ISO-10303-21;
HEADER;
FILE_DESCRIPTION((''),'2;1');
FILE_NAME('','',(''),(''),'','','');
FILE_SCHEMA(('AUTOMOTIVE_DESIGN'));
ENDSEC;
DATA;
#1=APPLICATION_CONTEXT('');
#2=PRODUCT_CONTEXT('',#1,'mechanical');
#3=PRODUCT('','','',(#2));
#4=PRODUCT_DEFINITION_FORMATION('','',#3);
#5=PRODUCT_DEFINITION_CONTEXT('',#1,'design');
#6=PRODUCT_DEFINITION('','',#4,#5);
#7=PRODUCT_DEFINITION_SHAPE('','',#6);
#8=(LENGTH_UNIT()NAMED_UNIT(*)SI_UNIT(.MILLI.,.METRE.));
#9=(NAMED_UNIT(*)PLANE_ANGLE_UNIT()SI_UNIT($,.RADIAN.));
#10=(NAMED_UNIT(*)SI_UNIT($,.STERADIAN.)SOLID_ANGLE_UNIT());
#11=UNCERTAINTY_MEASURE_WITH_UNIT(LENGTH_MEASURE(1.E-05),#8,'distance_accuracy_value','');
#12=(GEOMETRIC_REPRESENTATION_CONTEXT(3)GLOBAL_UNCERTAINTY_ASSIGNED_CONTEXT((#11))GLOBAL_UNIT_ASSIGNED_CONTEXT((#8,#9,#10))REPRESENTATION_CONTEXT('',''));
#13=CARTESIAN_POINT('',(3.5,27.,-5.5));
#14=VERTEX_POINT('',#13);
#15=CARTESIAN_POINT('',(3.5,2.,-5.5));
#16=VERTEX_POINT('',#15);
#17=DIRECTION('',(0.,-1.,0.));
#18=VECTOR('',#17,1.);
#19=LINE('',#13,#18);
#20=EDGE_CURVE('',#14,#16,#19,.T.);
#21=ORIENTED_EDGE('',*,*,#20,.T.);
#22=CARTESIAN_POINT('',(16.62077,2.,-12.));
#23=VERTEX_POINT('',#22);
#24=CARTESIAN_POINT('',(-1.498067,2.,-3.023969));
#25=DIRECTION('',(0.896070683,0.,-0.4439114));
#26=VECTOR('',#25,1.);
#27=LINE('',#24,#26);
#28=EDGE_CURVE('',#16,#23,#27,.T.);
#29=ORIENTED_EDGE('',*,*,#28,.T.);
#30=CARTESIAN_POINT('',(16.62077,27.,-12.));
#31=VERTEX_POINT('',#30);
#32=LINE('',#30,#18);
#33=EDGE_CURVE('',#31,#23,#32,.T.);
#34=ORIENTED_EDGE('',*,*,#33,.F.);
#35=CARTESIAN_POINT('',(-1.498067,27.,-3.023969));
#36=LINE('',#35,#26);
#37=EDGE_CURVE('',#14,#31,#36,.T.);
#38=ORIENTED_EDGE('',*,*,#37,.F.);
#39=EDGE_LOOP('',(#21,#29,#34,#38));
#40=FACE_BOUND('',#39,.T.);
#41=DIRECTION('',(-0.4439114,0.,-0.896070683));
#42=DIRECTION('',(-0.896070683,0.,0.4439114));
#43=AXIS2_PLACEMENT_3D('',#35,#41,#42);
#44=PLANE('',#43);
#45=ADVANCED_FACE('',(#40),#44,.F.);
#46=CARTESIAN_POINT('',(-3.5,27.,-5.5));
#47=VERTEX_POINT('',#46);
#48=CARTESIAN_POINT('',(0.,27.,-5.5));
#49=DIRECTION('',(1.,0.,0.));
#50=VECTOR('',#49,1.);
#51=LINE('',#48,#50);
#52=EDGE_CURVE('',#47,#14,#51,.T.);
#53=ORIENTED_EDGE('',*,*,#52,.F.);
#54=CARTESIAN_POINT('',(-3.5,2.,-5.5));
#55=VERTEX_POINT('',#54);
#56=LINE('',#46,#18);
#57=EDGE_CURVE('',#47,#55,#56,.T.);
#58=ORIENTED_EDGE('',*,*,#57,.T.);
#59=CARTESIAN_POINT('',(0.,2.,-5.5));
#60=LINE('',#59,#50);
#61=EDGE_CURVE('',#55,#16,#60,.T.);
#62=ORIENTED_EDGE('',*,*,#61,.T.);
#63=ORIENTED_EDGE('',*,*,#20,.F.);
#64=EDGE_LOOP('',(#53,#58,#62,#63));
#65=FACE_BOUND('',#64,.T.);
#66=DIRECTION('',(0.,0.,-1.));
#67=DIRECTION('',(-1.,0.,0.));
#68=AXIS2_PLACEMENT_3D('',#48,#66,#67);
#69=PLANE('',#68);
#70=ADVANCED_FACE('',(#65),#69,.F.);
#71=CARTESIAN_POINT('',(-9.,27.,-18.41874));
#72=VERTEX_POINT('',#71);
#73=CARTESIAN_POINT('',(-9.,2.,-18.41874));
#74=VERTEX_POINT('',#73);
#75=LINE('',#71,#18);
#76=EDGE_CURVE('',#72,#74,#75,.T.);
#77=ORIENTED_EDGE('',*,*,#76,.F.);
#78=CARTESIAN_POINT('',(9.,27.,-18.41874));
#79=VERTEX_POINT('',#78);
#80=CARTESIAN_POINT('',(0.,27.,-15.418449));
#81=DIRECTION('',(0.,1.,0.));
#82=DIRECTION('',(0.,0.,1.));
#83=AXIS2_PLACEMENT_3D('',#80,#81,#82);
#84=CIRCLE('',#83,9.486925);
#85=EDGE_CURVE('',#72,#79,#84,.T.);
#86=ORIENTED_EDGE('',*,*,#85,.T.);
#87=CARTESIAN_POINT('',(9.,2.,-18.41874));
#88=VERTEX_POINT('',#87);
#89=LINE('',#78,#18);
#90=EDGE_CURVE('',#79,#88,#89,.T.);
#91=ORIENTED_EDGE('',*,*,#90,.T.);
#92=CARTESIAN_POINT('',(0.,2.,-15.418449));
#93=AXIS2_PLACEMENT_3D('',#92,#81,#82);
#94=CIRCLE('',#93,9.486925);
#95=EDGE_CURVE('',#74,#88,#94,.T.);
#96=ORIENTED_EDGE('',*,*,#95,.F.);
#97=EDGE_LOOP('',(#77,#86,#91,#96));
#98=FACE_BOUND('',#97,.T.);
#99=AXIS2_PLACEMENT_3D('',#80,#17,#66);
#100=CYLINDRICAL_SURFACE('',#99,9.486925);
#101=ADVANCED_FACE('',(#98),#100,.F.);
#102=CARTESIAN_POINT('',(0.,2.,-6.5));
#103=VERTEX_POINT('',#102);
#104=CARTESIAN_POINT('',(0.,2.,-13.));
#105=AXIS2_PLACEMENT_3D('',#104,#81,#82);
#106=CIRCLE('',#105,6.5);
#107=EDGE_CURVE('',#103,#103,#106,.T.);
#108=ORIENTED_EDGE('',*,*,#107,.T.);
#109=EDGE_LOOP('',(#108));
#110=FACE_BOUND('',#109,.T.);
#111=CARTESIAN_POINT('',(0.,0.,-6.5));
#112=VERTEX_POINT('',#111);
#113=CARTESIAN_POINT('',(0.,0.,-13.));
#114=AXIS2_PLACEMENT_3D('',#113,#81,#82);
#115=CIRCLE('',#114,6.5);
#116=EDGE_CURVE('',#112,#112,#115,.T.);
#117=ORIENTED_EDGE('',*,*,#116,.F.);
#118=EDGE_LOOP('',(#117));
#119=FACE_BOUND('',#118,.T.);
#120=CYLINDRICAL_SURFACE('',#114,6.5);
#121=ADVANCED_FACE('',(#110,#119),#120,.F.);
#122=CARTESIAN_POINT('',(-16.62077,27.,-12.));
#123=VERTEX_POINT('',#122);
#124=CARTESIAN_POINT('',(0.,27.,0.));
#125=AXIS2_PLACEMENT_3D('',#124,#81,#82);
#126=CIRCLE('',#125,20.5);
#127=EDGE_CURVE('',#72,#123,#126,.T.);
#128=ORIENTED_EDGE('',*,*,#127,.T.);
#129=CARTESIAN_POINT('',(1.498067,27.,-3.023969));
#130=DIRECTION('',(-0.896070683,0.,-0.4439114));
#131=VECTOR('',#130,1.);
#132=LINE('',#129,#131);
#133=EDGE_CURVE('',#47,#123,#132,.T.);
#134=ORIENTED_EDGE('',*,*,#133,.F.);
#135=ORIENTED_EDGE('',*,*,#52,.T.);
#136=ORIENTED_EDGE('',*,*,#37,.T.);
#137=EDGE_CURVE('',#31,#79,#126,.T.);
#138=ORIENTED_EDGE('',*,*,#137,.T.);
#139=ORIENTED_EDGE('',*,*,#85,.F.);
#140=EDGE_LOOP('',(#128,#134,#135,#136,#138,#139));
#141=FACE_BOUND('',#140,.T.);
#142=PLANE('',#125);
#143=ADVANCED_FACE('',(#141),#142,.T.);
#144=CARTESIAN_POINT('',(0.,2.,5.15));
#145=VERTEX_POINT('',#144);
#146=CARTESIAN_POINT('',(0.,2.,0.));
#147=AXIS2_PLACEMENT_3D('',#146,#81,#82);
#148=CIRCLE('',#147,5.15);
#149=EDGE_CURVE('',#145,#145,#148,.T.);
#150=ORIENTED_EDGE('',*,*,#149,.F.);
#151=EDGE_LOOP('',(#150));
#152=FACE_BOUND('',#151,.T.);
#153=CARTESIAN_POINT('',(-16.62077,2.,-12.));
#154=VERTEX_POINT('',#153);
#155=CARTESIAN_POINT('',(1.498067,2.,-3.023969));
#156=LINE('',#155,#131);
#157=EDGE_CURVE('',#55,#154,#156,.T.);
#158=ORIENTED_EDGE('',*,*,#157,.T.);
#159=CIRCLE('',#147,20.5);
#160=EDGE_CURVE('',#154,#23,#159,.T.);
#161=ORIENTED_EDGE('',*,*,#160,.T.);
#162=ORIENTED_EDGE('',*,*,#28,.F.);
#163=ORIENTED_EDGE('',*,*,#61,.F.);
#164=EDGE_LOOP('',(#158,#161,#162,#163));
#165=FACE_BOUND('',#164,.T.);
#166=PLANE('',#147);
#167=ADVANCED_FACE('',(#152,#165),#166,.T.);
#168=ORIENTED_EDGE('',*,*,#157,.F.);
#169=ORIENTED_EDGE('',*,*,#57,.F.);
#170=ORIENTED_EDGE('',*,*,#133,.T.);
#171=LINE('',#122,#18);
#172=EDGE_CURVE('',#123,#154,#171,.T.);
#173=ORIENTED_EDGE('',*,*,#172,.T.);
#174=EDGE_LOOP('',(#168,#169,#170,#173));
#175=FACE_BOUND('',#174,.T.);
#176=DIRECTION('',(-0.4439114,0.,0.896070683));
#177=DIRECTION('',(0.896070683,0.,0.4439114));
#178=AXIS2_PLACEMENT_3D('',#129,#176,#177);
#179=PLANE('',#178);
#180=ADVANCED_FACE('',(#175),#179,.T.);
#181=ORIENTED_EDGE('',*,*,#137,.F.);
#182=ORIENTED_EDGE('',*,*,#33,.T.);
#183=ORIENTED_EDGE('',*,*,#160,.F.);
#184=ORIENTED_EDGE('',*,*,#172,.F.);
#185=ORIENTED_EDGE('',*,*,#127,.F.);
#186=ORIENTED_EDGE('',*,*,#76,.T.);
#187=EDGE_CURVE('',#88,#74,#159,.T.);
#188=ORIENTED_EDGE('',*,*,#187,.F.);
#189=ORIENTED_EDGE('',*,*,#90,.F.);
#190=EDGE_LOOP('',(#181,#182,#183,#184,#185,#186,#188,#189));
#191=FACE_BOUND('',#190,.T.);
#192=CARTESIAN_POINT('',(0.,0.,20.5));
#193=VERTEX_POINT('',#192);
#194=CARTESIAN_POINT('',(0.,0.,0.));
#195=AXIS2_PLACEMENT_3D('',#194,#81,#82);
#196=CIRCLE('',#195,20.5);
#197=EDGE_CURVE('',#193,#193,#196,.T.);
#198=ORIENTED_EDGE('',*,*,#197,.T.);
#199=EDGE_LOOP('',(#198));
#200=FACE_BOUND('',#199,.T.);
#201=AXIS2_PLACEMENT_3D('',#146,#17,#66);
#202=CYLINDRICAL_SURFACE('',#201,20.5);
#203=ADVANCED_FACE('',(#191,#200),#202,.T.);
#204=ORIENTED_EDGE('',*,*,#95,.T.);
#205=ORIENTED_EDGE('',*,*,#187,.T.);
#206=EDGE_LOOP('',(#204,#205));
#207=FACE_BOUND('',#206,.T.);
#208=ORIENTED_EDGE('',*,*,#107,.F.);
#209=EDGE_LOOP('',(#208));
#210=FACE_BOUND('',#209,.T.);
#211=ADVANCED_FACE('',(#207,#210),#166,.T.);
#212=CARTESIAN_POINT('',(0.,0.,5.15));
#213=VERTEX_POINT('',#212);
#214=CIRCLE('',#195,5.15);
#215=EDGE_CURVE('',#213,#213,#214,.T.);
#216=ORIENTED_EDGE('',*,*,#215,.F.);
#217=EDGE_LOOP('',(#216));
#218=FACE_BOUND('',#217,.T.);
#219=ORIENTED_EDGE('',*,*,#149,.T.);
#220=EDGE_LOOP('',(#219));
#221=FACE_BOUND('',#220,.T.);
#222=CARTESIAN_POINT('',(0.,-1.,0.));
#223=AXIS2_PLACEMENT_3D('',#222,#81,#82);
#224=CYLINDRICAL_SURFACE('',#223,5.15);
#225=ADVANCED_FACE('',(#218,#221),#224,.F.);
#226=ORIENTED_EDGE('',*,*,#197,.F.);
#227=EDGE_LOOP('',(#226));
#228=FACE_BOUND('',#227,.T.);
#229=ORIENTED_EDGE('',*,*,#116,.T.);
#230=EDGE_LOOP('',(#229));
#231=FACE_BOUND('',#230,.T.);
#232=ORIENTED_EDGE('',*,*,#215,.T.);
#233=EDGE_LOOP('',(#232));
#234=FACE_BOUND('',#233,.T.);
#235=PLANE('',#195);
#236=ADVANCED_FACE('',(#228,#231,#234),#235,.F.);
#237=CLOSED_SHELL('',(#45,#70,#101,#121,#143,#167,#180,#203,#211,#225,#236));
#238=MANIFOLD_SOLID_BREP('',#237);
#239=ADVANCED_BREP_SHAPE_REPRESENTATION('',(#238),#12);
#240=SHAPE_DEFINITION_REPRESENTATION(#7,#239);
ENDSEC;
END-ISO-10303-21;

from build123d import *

# Parameters (mm, degrees)
SKETCH1_R           = 20.5
BOSS_EXTRUDE1_DEPTH = 2
SKETCH2_R           = 5.15
CUT_EXTRUDE1_DEPTH  = 3
SKETCH3_R           = 6.5
CUT_EXTRUDE2_DEPTH  = 2
BOSS_EXTRUDE4_DEPTH = 25


with BuildPart() as part:
    # Sketch1 → Boss-Extrude1 (new body)
    with BuildSketch(Plane(origin=(0, 0, 0), x_dir=(1, 0, 0), z_dir=(0, 1, 0))):
        with Locations(Location((0, 0, 0), (0, 0, 270))):
            Circle(SKETCH1_R)
    extrude(amount=BOSS_EXTRUDE1_DEPTH)

    # Sketch2 → Cut-Extrude1 (cut)
    with BuildSketch(Plane(origin=(0, 2, 0), x_dir=(1, 0, 0), z_dir=(0, 1, 0))):
        with Locations(Location((0, 0, 0), (0, 0, 270))):
            Circle(SKETCH2_R)
    extrude(amount=-CUT_EXTRUDE1_DEPTH, mode=Mode.SUBTRACT)

    # Sketch3 → Cut-Extrude2 (cut)
    with BuildSketch(Plane(origin=(0, 2, 0), x_dir=(1, 0, 0), z_dir=(0, 1, 0))):
        with Locations(Location((0, 13, 0), (0, 0, 270))):
            Circle(SKETCH3_R)
    extrude(amount=-CUT_EXTRUDE2_DEPTH, mode=Mode.SUBTRACT)

    # Sketch4 → Boss-Extrude4 (add)
    with BuildSketch(Plane(origin=(0, 2, 0), x_dir=(1, 0, 0), z_dir=(0, 1, 0))):
        with BuildLine():
            Line((-16.620770139, 12), (-3.5, 5.5))
            Line((-3.5, 5.5), (3.5, 5.5))
            Line((3.5, 5.5), (16.620770139, 12))
            ThreePointArc((16.620770139, 12), (13.206287248, 15.679412525), (9, 18.418740456))
            ThreePointArc((9, 18.418740456), (0, 5.93152382), (-9, 18.418740456))
            ThreePointArc((-9, 18.418740456), (-13.206287248, 15.679412525), (-16.620770139, 12))
        make_face()
    extrude(amount=BOSS_EXTRUDE4_DEPTH)


solid = part.part
